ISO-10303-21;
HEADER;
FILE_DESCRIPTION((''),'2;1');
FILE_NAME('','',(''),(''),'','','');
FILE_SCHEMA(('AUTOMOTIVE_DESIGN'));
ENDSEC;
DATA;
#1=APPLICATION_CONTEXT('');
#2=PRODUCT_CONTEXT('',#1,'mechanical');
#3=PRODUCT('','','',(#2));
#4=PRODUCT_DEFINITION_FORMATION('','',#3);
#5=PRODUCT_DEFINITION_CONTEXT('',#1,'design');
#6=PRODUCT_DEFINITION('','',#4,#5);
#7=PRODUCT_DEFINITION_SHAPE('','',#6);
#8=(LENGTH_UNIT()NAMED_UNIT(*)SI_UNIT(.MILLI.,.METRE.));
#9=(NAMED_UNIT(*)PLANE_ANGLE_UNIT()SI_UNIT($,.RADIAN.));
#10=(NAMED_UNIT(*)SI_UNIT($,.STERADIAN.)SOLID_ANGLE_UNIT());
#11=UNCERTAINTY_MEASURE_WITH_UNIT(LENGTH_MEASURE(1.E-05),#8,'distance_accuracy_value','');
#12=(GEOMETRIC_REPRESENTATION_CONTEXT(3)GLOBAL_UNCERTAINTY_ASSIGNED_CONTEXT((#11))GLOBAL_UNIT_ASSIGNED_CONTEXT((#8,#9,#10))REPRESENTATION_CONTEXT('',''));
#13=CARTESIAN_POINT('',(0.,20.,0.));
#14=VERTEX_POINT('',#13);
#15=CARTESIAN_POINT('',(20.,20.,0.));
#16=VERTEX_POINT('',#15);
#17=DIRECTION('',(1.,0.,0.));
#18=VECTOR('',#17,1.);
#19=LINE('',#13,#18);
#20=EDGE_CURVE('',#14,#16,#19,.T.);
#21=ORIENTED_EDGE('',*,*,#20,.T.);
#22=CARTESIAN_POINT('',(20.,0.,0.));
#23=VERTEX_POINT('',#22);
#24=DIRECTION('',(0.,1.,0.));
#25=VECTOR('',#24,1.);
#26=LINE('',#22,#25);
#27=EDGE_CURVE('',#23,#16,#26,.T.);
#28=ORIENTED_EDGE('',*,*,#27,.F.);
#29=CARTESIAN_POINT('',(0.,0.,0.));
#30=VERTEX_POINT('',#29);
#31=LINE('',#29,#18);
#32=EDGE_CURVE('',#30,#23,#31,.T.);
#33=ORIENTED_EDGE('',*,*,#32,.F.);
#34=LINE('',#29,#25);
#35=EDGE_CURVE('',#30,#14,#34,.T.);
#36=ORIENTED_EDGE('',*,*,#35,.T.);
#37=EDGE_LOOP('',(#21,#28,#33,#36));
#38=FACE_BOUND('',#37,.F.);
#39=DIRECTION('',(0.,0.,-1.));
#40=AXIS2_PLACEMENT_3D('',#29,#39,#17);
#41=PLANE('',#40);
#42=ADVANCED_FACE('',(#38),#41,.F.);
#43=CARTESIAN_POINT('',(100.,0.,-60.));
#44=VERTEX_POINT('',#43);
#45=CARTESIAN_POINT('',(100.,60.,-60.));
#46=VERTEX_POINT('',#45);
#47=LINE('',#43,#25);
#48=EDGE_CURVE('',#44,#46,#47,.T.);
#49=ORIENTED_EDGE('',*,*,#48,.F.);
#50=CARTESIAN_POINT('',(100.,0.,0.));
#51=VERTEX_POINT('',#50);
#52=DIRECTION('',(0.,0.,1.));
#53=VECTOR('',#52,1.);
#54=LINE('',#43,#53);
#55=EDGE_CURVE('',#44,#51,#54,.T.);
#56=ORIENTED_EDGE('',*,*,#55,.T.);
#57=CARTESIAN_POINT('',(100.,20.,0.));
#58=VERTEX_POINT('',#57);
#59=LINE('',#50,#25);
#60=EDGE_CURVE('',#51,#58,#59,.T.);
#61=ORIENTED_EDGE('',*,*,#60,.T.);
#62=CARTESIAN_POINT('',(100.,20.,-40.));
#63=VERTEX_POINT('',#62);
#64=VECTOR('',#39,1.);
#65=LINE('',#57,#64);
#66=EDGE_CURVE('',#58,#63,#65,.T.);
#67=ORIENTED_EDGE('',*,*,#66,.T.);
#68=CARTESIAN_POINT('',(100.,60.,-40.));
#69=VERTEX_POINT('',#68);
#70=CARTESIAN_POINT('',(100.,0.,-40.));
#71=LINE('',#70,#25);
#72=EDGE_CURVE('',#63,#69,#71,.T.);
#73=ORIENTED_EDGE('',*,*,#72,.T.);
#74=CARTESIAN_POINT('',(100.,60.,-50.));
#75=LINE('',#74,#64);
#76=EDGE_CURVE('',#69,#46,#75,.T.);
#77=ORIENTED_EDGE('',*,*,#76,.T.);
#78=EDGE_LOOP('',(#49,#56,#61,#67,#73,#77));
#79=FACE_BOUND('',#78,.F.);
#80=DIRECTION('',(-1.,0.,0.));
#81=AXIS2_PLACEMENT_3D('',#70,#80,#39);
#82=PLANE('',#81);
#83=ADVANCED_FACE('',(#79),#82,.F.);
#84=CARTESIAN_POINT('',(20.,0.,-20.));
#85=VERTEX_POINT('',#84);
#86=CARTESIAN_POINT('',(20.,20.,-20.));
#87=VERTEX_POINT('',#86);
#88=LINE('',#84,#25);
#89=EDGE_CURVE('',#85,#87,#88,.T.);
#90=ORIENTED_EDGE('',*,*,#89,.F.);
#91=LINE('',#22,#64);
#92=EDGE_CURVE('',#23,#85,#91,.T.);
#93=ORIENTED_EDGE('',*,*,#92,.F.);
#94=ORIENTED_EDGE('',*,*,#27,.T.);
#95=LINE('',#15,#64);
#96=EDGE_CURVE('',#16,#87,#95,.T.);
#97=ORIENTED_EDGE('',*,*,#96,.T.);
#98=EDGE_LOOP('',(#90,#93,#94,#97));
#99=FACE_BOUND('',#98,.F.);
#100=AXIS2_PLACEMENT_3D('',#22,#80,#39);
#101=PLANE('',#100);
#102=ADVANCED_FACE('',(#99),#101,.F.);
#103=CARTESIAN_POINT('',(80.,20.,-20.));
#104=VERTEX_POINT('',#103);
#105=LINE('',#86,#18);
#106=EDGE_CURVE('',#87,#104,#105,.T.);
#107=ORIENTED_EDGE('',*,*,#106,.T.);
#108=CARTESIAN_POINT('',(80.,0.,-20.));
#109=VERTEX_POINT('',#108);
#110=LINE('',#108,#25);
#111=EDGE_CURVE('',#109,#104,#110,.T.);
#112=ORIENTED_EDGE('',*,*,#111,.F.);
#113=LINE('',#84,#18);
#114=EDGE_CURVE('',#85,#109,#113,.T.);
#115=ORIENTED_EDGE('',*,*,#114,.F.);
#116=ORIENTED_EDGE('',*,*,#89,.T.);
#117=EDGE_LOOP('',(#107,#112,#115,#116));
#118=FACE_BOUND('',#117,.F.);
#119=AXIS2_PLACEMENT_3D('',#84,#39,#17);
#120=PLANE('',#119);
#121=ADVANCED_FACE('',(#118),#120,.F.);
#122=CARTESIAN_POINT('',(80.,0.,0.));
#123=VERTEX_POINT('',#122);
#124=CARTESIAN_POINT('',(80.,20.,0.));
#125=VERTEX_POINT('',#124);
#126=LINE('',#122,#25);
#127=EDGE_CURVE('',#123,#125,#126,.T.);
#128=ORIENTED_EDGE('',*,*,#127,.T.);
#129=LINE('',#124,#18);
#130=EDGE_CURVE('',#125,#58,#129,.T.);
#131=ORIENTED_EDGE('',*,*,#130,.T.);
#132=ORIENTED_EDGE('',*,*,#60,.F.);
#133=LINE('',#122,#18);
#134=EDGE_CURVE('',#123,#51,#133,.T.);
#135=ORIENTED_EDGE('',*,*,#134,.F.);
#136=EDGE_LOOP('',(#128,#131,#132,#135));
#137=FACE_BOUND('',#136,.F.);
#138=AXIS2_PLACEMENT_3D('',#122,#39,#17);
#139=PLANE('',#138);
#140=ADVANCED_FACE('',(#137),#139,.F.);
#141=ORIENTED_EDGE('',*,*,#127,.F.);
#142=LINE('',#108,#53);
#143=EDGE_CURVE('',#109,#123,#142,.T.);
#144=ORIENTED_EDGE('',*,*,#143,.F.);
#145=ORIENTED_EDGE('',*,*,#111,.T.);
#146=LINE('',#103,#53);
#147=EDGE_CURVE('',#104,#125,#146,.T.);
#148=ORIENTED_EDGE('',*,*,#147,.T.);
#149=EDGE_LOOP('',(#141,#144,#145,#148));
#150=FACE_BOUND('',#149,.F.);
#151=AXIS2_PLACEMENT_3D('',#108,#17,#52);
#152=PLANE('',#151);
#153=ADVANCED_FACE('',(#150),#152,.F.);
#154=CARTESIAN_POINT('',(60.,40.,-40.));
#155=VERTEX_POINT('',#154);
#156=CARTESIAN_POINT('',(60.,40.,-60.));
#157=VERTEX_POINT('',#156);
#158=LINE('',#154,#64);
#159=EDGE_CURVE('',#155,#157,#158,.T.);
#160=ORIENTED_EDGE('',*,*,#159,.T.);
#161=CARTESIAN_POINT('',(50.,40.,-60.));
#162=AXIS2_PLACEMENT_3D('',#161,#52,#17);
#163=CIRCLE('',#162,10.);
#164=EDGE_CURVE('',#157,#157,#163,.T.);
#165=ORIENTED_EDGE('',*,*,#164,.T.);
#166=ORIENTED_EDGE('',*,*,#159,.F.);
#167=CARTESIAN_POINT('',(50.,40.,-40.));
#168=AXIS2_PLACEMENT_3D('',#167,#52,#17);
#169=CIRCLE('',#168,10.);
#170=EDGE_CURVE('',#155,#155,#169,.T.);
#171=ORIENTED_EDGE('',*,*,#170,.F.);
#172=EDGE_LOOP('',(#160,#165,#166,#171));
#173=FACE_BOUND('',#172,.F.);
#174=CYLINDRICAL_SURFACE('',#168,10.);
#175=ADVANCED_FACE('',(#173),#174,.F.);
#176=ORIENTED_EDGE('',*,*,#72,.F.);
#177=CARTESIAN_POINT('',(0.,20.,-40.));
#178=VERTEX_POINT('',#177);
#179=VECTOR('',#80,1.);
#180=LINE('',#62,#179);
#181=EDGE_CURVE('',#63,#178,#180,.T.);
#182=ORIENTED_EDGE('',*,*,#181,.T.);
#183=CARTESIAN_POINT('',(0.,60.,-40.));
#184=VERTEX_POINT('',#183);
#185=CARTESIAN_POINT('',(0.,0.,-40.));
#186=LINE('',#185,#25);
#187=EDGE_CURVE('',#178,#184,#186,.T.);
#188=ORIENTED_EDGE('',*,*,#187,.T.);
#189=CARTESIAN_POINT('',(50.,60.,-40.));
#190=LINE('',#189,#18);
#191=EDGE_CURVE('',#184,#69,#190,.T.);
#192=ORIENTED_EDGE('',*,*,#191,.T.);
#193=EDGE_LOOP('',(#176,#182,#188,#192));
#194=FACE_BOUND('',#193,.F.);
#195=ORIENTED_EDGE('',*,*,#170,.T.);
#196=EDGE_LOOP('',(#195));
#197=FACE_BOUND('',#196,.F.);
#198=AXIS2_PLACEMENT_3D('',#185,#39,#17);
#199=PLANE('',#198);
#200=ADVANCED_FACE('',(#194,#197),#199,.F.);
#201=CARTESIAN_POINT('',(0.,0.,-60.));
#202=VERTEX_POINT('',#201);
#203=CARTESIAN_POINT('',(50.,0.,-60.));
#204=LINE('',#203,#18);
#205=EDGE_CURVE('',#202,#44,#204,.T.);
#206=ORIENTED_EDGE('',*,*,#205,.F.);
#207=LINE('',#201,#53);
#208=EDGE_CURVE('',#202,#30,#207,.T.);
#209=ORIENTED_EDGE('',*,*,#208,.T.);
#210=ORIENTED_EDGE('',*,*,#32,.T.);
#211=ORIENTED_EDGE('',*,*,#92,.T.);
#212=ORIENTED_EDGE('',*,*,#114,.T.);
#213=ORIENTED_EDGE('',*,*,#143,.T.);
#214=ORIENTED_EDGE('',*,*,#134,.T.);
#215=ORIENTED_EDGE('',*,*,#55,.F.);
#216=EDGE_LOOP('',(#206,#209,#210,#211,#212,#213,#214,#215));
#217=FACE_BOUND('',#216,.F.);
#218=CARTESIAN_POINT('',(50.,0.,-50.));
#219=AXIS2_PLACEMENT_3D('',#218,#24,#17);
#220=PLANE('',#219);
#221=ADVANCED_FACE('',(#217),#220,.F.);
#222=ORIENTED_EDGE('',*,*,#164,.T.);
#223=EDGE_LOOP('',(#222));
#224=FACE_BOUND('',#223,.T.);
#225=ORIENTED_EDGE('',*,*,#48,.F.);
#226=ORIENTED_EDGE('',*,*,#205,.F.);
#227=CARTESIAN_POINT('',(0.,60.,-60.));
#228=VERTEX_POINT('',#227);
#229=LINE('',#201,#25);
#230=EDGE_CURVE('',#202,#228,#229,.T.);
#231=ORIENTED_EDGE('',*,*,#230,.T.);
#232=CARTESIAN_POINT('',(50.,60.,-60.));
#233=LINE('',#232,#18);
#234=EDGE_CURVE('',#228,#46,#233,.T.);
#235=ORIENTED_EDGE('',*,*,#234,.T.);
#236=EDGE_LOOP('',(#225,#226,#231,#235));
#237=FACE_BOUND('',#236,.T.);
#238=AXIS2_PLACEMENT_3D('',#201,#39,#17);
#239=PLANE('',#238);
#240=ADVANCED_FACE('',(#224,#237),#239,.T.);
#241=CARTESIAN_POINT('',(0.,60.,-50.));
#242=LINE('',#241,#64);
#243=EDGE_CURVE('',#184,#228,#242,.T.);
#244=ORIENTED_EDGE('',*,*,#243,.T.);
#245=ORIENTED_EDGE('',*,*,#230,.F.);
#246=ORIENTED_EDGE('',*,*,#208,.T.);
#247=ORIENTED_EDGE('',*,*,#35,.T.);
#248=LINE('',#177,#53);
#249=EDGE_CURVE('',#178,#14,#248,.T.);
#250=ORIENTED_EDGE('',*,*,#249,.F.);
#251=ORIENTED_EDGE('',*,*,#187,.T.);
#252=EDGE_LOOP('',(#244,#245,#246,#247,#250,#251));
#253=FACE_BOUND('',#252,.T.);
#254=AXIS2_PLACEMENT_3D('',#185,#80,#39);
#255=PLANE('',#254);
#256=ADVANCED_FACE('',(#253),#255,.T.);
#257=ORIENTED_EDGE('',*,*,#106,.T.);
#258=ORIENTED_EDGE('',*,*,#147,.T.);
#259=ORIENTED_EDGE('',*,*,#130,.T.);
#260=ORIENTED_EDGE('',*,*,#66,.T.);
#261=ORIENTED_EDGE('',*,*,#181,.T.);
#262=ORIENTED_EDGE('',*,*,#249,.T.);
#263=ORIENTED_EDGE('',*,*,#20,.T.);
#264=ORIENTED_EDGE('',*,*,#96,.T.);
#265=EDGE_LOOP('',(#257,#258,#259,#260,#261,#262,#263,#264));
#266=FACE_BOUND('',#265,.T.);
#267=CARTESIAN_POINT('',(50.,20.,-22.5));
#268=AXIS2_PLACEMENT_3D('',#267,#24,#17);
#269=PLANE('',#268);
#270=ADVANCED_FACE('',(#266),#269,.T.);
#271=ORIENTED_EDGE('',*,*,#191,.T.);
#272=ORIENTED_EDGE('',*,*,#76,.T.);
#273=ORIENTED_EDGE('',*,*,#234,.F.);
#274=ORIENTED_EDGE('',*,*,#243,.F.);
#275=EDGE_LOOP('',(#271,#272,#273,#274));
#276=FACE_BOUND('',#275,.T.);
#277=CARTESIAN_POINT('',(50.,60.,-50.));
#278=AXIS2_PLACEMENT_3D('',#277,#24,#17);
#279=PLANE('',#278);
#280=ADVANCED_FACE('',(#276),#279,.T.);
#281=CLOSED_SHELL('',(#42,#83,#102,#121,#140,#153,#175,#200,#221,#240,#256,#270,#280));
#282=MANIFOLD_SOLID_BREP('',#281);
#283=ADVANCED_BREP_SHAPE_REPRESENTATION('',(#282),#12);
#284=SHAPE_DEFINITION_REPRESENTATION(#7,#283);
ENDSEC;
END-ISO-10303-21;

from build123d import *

# Parameters (mm, degrees)
BOSS_EXTRUDE1_DEPTH = 20
SKETCH1_3_W         = 100
SKETCH1_3_H         = 20
BOSS_EXTRUDE2_DEPTH = 60
SKETCH2_R           = 10
CUT_EXTRUDE1_DEPTH  = 21


with BuildPart() as part:
    # Sketch1 → Boss-Extrude1 (new body)
    with BuildSketch(Plane(origin=(0, 0, 0), x_dir=(1, 0, 0), z_dir=(0, 1, 0))):
        Polygon((0, 40), (0, 0), (20, 0), (20, 20), (80, 20), (80, 0), (100, 0), (100, 40), align=None)
    extrude(amount=BOSS_EXTRUDE1_DEPTH)

    # Sketch1<3> → Boss-Extrude2 (add)
    with BuildSketch(Plane(origin=(0, 0, 0), x_dir=(1, 0, 0), z_dir=(0, 1, 0))):
        with Locations((50, 50)):
            Rectangle(SKETCH1_3_W, SKETCH1_3_H)
    extrude(amount=BOSS_EXTRUDE2_DEPTH)

    # Sketch2 → Cut-Extrude1 (cut, through all)
    with BuildSketch(Plane.XY.offset(-40)):
        with Locations((50, 40)):
            Circle(SKETCH2_R)
    extrude(amount=-CUT_EXTRUDE1_DEPTH, mode=Mode.SUBTRACT)


solid = part.part
